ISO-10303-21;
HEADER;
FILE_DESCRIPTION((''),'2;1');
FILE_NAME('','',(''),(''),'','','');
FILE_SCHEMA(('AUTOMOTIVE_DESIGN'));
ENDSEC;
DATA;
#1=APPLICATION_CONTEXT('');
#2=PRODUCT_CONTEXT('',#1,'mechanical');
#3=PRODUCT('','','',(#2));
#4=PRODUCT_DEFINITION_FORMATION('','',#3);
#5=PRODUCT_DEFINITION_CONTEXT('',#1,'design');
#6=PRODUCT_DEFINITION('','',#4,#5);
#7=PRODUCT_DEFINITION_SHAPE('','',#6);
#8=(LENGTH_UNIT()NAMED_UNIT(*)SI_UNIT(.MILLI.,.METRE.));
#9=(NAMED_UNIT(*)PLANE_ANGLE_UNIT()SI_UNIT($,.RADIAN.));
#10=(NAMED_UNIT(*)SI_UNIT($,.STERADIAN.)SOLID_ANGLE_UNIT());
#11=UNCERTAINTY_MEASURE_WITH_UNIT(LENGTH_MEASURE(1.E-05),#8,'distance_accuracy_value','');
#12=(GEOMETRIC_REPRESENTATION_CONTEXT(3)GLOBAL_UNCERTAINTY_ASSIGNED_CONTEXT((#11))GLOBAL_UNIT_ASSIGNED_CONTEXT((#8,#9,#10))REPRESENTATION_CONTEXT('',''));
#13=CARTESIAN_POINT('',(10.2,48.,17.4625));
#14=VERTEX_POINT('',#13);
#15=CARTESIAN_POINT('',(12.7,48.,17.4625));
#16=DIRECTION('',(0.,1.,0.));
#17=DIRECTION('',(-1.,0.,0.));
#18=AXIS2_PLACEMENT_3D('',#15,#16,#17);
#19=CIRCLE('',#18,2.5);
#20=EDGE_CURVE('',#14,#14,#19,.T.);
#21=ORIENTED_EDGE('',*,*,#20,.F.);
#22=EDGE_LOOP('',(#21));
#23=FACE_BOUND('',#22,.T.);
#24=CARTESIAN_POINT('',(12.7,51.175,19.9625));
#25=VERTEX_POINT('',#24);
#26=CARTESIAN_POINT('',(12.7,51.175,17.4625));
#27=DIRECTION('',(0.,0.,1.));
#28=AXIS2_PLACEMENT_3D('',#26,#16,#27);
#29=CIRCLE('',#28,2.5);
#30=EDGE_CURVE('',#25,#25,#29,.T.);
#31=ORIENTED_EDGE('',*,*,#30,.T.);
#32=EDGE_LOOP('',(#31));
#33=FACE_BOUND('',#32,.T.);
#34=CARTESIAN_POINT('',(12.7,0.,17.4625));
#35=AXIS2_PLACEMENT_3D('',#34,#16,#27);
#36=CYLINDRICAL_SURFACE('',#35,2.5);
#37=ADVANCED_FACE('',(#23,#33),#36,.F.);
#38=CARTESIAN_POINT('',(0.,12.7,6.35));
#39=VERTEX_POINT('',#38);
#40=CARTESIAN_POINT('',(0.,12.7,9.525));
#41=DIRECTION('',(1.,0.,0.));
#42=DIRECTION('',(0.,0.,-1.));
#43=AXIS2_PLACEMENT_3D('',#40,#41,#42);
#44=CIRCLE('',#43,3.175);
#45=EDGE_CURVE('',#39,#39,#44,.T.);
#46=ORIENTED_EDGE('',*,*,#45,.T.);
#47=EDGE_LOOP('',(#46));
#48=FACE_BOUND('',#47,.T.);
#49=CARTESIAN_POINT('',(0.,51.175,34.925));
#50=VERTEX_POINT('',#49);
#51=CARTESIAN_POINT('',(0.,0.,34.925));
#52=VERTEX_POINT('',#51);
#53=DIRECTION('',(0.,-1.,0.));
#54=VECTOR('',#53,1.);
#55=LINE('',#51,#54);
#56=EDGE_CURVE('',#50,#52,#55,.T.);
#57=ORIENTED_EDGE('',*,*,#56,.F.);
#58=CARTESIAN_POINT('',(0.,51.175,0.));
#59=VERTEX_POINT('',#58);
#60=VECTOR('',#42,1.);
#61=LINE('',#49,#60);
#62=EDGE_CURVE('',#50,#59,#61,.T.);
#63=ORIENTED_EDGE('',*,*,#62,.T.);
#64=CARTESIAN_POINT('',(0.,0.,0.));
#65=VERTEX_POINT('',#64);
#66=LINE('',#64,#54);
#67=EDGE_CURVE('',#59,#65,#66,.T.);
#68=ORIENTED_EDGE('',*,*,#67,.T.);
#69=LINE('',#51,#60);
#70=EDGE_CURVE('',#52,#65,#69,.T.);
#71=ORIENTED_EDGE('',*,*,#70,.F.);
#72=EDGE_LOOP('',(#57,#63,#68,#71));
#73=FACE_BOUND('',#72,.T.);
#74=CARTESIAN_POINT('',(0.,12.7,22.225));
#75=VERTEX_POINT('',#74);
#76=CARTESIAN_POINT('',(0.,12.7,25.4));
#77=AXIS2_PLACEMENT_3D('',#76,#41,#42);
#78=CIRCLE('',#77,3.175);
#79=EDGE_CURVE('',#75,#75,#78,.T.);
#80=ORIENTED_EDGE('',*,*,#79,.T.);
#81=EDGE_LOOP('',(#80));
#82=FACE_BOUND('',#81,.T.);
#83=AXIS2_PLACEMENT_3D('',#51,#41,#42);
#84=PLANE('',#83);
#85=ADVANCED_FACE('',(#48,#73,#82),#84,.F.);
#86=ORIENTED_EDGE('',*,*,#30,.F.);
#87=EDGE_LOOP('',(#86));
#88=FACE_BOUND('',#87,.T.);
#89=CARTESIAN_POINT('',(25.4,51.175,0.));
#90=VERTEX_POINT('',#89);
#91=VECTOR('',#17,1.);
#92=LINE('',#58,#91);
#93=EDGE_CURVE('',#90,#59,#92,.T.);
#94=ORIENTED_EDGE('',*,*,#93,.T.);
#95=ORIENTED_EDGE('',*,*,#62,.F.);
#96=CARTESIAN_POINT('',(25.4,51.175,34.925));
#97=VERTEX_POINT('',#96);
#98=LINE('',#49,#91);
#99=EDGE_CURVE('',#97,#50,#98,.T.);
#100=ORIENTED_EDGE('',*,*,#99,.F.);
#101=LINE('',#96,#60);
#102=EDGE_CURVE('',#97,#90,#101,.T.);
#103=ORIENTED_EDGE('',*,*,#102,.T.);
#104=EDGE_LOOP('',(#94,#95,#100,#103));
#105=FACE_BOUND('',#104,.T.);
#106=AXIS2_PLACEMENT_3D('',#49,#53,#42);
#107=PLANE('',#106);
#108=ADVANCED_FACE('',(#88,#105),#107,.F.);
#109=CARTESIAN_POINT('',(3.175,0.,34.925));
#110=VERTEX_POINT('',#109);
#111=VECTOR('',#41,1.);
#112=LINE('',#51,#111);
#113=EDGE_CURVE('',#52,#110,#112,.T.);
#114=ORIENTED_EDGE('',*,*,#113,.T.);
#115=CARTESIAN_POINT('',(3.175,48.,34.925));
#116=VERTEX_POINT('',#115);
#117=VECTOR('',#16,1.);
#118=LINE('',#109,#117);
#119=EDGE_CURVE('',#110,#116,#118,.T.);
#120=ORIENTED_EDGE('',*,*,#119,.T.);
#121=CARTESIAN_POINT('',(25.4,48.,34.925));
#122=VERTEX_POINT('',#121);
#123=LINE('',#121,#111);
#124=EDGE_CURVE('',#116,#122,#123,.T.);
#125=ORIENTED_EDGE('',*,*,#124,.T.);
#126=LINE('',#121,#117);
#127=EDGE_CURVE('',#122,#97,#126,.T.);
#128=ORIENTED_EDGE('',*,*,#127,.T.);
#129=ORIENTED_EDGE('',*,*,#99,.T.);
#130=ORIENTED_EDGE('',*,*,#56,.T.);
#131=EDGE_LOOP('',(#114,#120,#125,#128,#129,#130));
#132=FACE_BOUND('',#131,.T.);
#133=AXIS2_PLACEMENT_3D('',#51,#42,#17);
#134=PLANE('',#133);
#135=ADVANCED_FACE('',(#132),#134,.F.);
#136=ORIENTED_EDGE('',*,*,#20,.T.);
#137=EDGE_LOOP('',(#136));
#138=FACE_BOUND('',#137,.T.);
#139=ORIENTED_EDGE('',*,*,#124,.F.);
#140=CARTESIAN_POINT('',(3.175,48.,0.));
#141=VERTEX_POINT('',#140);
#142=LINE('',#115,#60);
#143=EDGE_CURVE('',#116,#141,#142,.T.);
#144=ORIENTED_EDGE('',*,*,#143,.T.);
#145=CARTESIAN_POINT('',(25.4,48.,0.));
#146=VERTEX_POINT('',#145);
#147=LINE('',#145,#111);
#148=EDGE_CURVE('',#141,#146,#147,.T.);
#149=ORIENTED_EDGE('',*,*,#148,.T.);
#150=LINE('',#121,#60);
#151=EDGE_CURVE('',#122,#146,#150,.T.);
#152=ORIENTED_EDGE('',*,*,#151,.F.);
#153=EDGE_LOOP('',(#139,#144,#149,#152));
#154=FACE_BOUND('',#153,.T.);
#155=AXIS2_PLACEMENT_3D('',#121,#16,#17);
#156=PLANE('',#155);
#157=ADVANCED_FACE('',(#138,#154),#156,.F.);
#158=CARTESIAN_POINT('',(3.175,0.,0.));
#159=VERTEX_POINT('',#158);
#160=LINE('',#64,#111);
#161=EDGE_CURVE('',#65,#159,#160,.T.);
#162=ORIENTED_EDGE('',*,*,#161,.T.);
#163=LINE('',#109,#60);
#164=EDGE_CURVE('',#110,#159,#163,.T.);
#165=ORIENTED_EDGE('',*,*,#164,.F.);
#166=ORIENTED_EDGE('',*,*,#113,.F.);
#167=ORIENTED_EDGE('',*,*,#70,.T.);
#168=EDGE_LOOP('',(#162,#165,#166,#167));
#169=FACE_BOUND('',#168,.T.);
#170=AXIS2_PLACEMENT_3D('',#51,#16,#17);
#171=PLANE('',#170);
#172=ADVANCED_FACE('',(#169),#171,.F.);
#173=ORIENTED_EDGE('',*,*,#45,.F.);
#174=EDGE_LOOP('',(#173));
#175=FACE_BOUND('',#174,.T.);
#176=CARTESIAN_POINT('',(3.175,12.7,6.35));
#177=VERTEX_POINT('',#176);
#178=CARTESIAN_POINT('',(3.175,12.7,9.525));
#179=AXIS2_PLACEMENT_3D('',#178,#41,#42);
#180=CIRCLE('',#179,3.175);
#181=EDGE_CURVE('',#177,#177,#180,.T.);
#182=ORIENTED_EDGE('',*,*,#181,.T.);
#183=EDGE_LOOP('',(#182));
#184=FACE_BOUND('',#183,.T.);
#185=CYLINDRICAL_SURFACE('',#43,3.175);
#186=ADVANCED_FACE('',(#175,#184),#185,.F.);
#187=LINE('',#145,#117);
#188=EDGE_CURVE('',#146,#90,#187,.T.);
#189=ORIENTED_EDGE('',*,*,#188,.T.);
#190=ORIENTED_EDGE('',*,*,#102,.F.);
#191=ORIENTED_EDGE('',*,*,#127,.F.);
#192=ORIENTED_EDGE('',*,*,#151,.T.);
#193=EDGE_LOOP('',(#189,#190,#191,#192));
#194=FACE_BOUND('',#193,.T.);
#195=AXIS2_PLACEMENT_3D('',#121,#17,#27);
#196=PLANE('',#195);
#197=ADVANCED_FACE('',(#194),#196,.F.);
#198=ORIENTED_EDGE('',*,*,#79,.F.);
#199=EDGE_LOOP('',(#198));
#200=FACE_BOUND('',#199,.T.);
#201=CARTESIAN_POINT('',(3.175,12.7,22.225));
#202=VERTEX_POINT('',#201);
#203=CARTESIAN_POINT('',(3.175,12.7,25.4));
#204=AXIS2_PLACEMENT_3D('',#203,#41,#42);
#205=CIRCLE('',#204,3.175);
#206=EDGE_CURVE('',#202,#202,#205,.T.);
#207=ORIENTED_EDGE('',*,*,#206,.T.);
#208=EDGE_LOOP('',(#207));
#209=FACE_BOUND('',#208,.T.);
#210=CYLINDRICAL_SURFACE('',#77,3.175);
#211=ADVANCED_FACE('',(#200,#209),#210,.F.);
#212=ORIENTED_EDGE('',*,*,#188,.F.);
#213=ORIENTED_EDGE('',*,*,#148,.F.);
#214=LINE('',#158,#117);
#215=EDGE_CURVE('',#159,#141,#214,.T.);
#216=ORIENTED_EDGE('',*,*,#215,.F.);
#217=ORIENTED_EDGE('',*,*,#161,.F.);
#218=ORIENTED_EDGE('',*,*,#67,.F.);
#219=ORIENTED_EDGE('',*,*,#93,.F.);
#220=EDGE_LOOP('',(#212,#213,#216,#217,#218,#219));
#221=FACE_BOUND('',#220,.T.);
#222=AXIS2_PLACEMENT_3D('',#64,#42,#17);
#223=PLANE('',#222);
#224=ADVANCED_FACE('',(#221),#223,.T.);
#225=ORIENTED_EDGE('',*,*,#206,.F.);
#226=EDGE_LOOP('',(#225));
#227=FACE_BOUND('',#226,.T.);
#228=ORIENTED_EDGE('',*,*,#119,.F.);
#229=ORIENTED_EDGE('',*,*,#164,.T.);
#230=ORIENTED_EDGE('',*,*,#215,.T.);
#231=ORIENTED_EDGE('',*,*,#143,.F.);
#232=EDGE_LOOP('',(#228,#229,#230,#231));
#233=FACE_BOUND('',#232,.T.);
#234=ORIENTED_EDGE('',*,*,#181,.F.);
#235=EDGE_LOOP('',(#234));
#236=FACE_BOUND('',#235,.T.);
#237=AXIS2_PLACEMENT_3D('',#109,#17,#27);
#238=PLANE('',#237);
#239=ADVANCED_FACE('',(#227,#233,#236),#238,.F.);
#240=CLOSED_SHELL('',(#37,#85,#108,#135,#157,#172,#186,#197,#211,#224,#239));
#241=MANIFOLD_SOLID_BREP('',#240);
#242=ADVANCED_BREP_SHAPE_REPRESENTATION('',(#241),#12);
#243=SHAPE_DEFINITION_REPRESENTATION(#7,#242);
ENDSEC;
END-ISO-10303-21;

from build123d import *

# Parameters (mm, degrees)
BOSS_EXTRUDE1_DEPTH = 34.925
SKETCH2_R           = 3.175
CUT_EXTRUDE1_DEPTH  = 4.175
SKETCH3_R           = 2.5
CUT_EXTRUDE2_DEPTH  = 52.175


with BuildPart() as part:
    # Sketch1 → Boss-Extrude1 (new body)
    with BuildSketch(Plane.XY):
        Polygon((0, 0), (3.175, 0), (3.175, 48), (25.4, 48), (25.4, 51.175), (0, 51.175), align=None)
    extrude(amount=BOSS_EXTRUDE1_DEPTH)

    # Sketch2 → Cut-Extrude1 (cut, through all)
    with BuildSketch(Plane(origin=(3.175, 0, 0), x_dir=(0, 0, -1), z_dir=(1, 0, 0))):
        with Locations((-25.4, 12.7)):
            Circle(SKETCH2_R)
        with Locations((-9.525, 12.7)):
            Circle(SKETCH2_R)
    extrude(amount=-CUT_EXTRUDE1_DEPTH, mode=Mode.SUBTRACT)

    # Sketch3 → Cut-Extrude2 (cut, through all)
    with BuildSketch(Plane(origin=(0, 51.175, 0), x_dir=(1, 0, 0), z_dir=(0, 1, 0))):
        with Locations((12.7, -17.4625)):
            Circle(SKETCH3_R)
    extrude(amount=-CUT_EXTRUDE2_DEPTH, mode=Mode.SUBTRACT)


solid = part.part
